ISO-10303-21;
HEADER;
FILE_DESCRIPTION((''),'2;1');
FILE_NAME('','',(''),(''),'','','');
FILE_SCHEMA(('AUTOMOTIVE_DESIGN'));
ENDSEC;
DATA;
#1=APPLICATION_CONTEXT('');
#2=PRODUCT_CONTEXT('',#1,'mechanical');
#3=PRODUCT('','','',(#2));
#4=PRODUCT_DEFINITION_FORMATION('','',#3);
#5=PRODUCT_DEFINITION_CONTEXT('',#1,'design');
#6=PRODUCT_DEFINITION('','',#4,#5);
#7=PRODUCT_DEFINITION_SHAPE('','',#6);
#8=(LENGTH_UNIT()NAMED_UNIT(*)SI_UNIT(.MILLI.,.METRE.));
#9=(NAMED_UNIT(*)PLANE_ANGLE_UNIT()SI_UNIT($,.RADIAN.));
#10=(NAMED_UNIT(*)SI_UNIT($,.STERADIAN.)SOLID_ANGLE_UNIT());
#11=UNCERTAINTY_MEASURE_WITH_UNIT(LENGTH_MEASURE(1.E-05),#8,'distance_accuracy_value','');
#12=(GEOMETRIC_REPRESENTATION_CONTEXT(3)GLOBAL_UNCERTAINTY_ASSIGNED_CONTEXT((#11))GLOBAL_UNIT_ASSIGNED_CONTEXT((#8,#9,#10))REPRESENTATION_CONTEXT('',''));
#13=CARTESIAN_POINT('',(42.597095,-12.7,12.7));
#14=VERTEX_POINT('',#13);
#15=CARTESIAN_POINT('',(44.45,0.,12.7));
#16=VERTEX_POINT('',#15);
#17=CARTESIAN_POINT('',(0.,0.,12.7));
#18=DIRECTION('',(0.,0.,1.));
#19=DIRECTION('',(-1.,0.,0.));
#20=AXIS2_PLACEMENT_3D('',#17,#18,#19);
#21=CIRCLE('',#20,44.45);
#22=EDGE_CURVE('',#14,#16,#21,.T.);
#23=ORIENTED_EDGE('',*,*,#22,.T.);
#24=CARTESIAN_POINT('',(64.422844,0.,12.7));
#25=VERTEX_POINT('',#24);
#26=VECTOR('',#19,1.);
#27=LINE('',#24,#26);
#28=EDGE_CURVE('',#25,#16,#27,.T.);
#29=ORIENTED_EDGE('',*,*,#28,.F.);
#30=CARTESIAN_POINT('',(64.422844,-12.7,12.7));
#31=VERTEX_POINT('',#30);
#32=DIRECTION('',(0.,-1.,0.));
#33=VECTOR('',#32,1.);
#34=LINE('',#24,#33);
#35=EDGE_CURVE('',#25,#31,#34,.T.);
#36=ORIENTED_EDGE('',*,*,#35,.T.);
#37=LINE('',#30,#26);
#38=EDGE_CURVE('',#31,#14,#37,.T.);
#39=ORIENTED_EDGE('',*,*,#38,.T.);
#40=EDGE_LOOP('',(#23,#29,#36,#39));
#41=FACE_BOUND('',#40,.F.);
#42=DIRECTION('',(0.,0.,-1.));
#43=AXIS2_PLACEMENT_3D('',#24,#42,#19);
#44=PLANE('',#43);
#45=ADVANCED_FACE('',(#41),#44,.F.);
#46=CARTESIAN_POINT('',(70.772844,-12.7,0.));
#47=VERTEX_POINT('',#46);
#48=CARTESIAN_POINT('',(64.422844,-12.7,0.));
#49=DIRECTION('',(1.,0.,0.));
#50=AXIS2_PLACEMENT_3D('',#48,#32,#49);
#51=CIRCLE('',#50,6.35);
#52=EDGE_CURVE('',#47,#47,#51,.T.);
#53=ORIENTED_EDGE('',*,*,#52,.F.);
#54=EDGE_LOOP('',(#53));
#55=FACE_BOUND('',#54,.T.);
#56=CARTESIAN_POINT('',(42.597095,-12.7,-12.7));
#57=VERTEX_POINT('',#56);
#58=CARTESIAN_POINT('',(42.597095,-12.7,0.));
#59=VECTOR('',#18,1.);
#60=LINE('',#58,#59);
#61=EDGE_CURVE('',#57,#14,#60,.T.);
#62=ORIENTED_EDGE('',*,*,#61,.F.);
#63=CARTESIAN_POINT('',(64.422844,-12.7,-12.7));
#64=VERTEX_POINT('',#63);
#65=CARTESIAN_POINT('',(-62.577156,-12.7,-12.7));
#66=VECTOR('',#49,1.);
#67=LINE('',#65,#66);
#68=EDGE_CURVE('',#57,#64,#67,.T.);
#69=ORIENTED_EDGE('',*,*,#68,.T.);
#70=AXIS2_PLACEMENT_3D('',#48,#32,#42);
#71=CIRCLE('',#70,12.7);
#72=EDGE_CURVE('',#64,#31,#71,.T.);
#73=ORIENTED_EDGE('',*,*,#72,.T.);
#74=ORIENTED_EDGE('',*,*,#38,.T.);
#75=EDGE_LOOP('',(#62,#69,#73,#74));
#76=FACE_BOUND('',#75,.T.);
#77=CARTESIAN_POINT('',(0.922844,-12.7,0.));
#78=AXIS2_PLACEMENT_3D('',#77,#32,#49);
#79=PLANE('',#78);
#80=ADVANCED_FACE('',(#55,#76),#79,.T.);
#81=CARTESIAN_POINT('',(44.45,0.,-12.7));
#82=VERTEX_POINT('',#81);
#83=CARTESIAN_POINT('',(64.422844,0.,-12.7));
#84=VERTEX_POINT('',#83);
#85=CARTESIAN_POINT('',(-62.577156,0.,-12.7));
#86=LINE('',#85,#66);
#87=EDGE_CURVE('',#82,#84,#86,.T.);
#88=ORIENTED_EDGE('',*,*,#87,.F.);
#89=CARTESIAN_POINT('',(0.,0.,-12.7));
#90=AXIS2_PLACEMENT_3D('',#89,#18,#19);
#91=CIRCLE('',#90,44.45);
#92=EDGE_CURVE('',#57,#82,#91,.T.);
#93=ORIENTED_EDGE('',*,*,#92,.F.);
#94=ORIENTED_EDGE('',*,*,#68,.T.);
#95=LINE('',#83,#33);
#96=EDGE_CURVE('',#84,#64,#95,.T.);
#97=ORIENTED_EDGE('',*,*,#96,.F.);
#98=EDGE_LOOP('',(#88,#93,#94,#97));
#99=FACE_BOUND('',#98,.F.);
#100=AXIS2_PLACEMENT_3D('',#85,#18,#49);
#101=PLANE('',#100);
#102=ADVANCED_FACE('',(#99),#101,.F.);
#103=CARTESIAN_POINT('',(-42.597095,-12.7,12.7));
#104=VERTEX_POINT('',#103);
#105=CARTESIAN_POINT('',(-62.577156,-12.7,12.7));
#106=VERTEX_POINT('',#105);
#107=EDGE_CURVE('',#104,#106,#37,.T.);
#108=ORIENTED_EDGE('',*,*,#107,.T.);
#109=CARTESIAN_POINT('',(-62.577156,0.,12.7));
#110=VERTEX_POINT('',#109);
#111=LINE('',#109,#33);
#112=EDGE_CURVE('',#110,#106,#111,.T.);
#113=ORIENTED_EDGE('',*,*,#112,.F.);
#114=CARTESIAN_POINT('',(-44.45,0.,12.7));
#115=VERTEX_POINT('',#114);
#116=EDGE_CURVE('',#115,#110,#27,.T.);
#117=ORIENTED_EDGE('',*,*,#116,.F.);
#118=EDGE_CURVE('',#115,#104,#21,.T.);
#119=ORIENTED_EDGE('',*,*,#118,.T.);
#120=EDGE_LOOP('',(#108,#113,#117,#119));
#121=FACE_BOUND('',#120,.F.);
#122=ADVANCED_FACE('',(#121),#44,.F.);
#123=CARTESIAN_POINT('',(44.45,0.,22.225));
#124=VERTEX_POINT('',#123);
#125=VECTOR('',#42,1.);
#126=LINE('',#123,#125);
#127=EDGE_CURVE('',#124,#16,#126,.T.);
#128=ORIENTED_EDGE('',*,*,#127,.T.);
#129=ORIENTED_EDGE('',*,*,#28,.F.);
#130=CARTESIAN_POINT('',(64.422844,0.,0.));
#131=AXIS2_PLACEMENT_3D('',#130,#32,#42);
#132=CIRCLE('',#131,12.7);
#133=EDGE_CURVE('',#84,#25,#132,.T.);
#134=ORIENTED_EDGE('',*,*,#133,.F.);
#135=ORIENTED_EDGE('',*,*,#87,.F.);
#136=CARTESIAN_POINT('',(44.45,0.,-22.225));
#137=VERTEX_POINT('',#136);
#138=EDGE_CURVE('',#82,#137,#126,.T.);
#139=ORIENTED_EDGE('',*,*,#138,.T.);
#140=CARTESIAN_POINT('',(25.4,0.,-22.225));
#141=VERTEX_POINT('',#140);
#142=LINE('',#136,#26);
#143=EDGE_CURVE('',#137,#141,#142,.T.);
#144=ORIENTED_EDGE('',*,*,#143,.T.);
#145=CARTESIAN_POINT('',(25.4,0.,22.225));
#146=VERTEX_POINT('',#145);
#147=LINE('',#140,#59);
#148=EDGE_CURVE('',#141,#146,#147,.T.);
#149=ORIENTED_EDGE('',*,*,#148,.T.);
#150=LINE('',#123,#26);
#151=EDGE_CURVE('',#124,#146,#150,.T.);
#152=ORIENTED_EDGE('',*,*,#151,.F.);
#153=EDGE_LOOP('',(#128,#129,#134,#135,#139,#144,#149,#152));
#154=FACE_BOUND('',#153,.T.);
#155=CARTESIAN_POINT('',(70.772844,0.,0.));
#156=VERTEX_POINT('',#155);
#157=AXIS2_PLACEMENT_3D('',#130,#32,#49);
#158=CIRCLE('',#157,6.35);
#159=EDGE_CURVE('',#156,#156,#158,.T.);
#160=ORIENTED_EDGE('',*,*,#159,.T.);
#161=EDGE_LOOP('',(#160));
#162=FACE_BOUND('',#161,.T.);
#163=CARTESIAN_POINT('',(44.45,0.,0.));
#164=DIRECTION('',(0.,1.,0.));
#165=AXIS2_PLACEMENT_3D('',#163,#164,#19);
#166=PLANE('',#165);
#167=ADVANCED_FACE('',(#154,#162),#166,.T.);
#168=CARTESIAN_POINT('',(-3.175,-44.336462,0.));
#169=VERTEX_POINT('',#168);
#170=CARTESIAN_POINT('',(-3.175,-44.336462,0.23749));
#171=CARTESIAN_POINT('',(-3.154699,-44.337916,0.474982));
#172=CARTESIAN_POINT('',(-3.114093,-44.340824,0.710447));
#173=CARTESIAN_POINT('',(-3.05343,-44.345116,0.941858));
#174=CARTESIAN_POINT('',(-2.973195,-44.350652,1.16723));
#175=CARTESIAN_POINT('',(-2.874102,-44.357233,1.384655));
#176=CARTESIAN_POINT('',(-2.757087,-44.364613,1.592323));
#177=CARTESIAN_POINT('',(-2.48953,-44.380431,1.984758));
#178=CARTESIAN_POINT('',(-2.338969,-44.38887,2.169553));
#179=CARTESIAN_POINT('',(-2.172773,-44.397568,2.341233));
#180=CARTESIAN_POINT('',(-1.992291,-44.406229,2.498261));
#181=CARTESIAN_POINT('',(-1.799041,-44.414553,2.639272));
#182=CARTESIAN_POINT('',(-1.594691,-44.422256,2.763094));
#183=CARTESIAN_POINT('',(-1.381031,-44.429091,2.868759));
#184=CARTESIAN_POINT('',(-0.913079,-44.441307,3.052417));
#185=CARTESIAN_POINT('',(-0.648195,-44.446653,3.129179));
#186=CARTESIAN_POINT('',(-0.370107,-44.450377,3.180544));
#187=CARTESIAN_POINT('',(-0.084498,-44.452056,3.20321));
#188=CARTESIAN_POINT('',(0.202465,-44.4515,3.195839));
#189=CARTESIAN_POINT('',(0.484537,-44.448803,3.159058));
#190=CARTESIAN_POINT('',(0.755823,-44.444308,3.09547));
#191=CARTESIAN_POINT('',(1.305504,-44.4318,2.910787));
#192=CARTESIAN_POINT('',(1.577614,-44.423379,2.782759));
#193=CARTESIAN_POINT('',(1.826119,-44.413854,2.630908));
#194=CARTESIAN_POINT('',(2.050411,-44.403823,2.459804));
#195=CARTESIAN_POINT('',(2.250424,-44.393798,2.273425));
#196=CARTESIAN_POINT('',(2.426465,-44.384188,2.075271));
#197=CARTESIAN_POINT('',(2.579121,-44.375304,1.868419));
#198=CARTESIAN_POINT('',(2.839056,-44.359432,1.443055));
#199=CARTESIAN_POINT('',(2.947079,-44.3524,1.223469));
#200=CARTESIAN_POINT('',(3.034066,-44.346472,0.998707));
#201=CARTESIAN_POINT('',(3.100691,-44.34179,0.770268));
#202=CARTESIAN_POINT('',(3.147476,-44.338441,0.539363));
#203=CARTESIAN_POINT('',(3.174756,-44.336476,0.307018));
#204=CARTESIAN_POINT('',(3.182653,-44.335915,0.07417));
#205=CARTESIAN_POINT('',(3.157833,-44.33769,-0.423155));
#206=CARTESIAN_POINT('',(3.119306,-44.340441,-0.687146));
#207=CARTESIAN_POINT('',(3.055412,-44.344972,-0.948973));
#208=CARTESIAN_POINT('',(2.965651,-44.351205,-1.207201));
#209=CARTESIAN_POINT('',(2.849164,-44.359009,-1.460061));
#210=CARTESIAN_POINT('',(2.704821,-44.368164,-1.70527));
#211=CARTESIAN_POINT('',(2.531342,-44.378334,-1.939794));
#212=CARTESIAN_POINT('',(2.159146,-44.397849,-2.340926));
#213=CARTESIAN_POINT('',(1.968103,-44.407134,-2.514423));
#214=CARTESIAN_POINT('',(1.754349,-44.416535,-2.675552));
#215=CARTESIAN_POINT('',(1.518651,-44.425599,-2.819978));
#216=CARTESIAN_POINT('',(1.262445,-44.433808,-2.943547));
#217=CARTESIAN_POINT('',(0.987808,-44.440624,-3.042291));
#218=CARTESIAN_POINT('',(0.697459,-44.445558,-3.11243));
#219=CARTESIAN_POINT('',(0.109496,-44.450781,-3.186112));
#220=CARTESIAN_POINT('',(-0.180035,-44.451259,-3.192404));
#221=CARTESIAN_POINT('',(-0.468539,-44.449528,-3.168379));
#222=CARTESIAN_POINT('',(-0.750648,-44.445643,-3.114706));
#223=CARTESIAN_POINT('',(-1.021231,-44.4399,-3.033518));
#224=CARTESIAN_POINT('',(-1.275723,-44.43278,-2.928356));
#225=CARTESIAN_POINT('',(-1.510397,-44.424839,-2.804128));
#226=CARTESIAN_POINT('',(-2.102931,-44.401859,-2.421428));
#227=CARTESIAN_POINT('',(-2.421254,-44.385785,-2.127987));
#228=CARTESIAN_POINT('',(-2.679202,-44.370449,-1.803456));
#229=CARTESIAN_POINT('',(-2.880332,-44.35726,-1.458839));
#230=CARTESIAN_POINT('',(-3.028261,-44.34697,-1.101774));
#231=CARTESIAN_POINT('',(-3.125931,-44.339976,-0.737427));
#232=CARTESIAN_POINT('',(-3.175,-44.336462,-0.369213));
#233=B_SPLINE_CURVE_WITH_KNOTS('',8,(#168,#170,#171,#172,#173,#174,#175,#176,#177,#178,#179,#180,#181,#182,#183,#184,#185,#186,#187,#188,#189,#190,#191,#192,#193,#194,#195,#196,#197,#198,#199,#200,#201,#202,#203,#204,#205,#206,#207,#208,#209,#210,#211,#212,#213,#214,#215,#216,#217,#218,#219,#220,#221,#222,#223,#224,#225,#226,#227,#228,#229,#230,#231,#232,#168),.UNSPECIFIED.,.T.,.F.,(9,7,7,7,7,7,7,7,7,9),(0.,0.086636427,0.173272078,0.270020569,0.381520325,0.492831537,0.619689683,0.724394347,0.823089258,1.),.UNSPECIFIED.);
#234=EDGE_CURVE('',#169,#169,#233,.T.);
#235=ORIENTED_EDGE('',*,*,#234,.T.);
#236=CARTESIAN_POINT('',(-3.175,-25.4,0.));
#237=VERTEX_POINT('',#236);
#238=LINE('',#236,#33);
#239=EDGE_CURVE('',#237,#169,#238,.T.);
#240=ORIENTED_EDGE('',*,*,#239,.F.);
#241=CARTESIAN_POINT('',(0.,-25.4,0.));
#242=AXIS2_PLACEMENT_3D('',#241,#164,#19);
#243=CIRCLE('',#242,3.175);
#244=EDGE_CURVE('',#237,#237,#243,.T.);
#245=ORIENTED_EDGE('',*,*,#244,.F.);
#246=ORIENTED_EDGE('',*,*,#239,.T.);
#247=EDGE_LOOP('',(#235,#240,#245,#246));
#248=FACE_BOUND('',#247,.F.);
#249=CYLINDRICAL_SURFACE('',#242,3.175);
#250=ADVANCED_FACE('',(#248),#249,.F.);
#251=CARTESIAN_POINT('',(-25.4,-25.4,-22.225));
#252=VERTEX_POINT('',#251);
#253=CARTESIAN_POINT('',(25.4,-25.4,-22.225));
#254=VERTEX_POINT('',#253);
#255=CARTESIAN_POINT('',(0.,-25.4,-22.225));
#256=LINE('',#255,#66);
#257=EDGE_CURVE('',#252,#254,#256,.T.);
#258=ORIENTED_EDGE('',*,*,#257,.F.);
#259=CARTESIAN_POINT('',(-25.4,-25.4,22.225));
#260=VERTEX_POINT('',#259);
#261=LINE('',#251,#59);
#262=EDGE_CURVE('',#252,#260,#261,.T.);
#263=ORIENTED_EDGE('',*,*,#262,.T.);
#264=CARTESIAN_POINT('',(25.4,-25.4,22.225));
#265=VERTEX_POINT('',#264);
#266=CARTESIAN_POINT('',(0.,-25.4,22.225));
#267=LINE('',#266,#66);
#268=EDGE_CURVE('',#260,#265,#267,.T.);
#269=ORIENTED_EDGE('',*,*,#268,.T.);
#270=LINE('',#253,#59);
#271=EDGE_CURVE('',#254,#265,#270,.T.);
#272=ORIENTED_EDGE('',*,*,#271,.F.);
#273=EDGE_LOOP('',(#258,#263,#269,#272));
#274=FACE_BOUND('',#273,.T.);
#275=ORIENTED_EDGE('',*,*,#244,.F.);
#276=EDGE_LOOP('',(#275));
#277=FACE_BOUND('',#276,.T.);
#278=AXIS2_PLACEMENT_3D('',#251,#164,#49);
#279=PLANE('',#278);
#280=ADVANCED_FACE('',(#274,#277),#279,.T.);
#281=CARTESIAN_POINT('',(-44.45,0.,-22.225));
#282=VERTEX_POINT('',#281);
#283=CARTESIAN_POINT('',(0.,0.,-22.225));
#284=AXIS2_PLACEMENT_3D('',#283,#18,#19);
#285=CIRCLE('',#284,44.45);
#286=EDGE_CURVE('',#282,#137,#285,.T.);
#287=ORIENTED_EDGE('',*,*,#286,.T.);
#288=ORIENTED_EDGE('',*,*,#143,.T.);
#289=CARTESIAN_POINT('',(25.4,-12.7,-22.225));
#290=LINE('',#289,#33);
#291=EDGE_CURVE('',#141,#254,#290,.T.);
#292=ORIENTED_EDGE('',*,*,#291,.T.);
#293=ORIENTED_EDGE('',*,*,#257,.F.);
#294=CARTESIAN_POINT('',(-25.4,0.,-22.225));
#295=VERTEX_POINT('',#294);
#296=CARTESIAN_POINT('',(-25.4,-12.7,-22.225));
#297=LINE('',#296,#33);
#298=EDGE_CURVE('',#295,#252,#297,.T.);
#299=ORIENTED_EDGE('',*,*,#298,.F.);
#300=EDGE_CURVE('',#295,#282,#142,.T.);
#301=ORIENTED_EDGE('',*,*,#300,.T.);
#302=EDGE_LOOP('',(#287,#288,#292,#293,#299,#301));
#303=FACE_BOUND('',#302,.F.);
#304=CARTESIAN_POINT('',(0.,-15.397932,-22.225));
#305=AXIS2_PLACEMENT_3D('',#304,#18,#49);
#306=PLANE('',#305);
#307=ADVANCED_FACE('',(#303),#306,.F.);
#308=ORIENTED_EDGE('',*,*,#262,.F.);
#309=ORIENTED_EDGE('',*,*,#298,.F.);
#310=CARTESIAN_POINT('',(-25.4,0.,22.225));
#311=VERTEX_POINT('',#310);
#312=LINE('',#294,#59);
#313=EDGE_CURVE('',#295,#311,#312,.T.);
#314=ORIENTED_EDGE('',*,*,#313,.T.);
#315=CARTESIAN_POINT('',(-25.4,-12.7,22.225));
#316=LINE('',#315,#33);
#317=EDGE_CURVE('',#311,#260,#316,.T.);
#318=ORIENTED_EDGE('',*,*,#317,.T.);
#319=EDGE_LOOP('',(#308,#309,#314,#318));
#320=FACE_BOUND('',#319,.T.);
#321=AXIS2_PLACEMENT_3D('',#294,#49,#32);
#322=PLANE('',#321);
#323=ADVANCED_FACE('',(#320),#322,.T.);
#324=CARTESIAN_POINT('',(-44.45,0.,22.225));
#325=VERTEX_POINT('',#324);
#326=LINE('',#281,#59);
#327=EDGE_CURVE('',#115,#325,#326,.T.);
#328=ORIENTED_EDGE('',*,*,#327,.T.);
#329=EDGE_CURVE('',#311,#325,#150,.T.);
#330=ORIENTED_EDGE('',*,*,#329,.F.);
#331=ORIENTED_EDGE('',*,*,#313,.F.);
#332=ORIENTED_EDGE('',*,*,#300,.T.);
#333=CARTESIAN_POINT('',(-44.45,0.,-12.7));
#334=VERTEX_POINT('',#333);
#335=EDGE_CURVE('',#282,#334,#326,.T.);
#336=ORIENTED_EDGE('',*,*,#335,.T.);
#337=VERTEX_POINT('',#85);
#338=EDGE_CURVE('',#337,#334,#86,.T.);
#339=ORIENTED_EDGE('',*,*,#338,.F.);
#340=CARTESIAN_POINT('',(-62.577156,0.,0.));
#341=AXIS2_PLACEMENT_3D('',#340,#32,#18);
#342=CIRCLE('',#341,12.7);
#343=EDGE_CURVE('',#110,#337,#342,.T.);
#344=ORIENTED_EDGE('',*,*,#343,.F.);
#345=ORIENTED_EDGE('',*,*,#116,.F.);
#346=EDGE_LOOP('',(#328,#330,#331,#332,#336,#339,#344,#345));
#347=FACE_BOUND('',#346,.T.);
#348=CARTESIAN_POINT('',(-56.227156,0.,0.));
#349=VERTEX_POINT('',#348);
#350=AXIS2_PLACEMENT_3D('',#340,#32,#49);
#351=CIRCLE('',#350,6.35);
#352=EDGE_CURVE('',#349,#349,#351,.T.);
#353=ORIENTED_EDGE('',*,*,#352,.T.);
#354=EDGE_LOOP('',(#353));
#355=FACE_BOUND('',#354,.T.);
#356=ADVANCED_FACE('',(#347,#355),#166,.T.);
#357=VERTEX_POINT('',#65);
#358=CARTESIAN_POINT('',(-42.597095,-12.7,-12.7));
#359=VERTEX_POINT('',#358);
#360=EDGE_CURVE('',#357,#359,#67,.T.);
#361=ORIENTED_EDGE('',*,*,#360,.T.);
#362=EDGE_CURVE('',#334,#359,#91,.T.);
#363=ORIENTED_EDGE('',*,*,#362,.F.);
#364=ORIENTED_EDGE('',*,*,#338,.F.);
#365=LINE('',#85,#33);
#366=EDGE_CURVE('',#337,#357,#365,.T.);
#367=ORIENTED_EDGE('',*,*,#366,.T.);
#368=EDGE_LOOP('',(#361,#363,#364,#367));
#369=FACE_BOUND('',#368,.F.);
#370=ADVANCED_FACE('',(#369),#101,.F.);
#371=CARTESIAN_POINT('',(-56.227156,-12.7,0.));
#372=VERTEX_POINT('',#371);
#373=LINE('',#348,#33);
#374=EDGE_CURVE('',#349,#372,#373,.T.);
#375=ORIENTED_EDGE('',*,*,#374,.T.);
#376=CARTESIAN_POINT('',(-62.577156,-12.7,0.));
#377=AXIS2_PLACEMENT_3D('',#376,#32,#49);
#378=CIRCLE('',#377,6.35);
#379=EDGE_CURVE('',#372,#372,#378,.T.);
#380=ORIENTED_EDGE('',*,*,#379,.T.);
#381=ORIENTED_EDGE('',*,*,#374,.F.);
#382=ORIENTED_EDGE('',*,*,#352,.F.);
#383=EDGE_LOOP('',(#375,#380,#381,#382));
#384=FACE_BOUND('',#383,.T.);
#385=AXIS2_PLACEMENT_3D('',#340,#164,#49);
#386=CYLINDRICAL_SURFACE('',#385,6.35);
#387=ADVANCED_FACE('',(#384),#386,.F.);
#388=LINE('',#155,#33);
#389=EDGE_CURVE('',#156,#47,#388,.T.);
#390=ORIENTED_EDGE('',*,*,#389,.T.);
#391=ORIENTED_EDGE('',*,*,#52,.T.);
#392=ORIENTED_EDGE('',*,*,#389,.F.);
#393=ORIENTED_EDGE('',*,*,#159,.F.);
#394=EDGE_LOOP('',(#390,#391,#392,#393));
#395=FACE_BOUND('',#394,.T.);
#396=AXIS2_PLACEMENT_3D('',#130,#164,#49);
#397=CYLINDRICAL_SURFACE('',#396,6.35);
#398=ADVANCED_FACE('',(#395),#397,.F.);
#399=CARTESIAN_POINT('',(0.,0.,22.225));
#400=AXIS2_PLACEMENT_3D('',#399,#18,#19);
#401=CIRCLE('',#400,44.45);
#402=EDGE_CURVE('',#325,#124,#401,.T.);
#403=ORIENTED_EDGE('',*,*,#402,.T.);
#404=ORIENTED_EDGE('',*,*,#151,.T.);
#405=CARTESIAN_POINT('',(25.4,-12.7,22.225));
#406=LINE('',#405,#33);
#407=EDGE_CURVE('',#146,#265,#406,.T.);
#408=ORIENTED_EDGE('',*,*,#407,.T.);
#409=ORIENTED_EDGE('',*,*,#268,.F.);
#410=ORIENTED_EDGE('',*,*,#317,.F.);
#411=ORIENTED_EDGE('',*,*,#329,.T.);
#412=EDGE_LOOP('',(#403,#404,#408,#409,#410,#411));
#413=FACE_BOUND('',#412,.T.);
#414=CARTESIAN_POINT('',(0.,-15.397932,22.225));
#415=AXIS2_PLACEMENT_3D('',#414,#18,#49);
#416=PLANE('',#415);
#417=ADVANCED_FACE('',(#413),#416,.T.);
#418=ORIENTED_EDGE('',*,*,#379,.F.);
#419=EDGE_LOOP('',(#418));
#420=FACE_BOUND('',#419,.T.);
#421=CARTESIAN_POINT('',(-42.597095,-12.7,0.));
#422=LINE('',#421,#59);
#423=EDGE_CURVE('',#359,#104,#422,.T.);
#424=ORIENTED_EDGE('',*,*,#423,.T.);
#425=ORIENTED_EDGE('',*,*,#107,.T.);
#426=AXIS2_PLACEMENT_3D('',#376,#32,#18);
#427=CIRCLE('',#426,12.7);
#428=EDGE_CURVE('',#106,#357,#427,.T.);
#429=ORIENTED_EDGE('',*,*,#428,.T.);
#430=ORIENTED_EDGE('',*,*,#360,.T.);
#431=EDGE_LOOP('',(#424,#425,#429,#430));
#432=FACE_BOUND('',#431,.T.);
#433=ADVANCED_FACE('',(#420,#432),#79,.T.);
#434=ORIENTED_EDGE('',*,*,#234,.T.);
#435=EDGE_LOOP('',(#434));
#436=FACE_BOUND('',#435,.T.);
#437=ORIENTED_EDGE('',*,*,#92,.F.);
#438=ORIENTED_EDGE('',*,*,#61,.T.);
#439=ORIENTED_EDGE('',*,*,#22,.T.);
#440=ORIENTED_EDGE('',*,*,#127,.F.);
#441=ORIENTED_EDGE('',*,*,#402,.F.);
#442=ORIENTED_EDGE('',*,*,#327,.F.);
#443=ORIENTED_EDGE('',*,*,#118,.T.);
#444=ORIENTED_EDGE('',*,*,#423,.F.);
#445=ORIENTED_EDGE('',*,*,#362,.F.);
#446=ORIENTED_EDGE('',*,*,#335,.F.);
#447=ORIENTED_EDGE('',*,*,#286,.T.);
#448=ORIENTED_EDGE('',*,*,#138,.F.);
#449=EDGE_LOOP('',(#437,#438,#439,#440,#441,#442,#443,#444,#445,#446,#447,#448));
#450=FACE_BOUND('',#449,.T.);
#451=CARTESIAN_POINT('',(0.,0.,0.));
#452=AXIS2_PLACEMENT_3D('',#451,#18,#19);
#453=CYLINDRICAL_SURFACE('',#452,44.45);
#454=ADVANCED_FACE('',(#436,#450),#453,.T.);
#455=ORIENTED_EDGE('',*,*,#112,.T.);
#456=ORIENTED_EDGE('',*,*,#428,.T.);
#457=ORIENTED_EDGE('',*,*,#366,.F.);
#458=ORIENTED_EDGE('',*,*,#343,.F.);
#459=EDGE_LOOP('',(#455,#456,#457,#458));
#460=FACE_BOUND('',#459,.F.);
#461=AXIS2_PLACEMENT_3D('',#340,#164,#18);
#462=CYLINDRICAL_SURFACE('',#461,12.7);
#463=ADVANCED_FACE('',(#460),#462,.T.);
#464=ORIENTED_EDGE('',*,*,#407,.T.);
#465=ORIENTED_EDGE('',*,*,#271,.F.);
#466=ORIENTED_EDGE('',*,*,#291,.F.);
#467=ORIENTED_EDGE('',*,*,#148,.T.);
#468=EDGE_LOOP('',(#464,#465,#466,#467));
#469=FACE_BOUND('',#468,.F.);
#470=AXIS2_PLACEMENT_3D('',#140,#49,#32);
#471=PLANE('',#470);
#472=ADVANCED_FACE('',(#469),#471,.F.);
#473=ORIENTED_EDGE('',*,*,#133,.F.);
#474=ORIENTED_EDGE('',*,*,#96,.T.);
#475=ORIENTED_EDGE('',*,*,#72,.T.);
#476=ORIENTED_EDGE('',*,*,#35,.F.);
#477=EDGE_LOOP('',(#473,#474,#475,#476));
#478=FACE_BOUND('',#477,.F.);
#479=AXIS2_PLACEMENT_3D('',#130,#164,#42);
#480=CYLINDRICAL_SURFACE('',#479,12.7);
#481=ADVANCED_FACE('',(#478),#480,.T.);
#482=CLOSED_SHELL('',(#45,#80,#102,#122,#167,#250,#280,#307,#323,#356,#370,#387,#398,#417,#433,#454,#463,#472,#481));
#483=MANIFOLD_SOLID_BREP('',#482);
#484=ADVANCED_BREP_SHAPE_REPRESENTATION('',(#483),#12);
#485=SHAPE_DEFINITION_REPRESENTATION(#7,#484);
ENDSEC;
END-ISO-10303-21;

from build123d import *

# Parameters (mm, degrees)
F0_R     = 6.35
F1_DEPTH = 12.7
F3_DEPTH = 22.225
F4_W     = 50.8
F4_H     = 25.4
F5_DEPTH = 44.45
F6_R     = 3.175
F7_DEPTH = 25.4


with BuildPart() as f1:
    # F0 (on Front) → F1 (new body)
    with BuildSketch(Plane.XZ):
        with BuildLine():
            Line((64.422844, 12.7), (-62.577156, 12.7))
            ThreePointArc((-62.577156, 12.7), (-75.277156, 0), (-62.577156, -12.7))
            Line((-62.577156, -12.7), (64.422844, -12.7))
            ThreePointArc((64.422844, -12.7), (77.122844, 0), (64.422844, 12.7))
        make_face()
        with Locations((-62.577156, 0)):
            Circle(F0_R, mode=Mode.SUBTRACT)
        with Locations((64.422844, 0)):
            Circle(F0_R, mode=Mode.SUBTRACT)
    extrude(amount=F1_DEPTH)

    # F2 (on Top) → F3 (join, symmetric)
    with BuildSketch(Plane.XY):
        with BuildLine():
            Line((44.45, 0), (-44.45, 0))
            ThreePointArc((-44.45, 0), (0, -44.45), (44.45, 0))
        make_face()
    extrude(amount=F3_DEPTH, both=True)

    # F4 (on face) → F5 (cut)
    with BuildSketch(Plane(origin=(0, 0, -22.225), x_dir=(1, 0, 0), z_dir=(0, 0, -1))):
        with Locations((0, 12.7)):
            Rectangle(F4_W, F4_H)
    extrude(amount=-F5_DEPTH, mode=Mode.SUBTRACT)

    # F6 (on face) → F7 (cut)
    with BuildSketch(Plane(origin=(0, -25.4, 0), x_dir=(-1, 0, 0), z_dir=(0, 1, 0))):
        Circle(F6_R)
    extrude(amount=-F7_DEPTH, mode=Mode.SUBTRACT)


solid = f1.part
